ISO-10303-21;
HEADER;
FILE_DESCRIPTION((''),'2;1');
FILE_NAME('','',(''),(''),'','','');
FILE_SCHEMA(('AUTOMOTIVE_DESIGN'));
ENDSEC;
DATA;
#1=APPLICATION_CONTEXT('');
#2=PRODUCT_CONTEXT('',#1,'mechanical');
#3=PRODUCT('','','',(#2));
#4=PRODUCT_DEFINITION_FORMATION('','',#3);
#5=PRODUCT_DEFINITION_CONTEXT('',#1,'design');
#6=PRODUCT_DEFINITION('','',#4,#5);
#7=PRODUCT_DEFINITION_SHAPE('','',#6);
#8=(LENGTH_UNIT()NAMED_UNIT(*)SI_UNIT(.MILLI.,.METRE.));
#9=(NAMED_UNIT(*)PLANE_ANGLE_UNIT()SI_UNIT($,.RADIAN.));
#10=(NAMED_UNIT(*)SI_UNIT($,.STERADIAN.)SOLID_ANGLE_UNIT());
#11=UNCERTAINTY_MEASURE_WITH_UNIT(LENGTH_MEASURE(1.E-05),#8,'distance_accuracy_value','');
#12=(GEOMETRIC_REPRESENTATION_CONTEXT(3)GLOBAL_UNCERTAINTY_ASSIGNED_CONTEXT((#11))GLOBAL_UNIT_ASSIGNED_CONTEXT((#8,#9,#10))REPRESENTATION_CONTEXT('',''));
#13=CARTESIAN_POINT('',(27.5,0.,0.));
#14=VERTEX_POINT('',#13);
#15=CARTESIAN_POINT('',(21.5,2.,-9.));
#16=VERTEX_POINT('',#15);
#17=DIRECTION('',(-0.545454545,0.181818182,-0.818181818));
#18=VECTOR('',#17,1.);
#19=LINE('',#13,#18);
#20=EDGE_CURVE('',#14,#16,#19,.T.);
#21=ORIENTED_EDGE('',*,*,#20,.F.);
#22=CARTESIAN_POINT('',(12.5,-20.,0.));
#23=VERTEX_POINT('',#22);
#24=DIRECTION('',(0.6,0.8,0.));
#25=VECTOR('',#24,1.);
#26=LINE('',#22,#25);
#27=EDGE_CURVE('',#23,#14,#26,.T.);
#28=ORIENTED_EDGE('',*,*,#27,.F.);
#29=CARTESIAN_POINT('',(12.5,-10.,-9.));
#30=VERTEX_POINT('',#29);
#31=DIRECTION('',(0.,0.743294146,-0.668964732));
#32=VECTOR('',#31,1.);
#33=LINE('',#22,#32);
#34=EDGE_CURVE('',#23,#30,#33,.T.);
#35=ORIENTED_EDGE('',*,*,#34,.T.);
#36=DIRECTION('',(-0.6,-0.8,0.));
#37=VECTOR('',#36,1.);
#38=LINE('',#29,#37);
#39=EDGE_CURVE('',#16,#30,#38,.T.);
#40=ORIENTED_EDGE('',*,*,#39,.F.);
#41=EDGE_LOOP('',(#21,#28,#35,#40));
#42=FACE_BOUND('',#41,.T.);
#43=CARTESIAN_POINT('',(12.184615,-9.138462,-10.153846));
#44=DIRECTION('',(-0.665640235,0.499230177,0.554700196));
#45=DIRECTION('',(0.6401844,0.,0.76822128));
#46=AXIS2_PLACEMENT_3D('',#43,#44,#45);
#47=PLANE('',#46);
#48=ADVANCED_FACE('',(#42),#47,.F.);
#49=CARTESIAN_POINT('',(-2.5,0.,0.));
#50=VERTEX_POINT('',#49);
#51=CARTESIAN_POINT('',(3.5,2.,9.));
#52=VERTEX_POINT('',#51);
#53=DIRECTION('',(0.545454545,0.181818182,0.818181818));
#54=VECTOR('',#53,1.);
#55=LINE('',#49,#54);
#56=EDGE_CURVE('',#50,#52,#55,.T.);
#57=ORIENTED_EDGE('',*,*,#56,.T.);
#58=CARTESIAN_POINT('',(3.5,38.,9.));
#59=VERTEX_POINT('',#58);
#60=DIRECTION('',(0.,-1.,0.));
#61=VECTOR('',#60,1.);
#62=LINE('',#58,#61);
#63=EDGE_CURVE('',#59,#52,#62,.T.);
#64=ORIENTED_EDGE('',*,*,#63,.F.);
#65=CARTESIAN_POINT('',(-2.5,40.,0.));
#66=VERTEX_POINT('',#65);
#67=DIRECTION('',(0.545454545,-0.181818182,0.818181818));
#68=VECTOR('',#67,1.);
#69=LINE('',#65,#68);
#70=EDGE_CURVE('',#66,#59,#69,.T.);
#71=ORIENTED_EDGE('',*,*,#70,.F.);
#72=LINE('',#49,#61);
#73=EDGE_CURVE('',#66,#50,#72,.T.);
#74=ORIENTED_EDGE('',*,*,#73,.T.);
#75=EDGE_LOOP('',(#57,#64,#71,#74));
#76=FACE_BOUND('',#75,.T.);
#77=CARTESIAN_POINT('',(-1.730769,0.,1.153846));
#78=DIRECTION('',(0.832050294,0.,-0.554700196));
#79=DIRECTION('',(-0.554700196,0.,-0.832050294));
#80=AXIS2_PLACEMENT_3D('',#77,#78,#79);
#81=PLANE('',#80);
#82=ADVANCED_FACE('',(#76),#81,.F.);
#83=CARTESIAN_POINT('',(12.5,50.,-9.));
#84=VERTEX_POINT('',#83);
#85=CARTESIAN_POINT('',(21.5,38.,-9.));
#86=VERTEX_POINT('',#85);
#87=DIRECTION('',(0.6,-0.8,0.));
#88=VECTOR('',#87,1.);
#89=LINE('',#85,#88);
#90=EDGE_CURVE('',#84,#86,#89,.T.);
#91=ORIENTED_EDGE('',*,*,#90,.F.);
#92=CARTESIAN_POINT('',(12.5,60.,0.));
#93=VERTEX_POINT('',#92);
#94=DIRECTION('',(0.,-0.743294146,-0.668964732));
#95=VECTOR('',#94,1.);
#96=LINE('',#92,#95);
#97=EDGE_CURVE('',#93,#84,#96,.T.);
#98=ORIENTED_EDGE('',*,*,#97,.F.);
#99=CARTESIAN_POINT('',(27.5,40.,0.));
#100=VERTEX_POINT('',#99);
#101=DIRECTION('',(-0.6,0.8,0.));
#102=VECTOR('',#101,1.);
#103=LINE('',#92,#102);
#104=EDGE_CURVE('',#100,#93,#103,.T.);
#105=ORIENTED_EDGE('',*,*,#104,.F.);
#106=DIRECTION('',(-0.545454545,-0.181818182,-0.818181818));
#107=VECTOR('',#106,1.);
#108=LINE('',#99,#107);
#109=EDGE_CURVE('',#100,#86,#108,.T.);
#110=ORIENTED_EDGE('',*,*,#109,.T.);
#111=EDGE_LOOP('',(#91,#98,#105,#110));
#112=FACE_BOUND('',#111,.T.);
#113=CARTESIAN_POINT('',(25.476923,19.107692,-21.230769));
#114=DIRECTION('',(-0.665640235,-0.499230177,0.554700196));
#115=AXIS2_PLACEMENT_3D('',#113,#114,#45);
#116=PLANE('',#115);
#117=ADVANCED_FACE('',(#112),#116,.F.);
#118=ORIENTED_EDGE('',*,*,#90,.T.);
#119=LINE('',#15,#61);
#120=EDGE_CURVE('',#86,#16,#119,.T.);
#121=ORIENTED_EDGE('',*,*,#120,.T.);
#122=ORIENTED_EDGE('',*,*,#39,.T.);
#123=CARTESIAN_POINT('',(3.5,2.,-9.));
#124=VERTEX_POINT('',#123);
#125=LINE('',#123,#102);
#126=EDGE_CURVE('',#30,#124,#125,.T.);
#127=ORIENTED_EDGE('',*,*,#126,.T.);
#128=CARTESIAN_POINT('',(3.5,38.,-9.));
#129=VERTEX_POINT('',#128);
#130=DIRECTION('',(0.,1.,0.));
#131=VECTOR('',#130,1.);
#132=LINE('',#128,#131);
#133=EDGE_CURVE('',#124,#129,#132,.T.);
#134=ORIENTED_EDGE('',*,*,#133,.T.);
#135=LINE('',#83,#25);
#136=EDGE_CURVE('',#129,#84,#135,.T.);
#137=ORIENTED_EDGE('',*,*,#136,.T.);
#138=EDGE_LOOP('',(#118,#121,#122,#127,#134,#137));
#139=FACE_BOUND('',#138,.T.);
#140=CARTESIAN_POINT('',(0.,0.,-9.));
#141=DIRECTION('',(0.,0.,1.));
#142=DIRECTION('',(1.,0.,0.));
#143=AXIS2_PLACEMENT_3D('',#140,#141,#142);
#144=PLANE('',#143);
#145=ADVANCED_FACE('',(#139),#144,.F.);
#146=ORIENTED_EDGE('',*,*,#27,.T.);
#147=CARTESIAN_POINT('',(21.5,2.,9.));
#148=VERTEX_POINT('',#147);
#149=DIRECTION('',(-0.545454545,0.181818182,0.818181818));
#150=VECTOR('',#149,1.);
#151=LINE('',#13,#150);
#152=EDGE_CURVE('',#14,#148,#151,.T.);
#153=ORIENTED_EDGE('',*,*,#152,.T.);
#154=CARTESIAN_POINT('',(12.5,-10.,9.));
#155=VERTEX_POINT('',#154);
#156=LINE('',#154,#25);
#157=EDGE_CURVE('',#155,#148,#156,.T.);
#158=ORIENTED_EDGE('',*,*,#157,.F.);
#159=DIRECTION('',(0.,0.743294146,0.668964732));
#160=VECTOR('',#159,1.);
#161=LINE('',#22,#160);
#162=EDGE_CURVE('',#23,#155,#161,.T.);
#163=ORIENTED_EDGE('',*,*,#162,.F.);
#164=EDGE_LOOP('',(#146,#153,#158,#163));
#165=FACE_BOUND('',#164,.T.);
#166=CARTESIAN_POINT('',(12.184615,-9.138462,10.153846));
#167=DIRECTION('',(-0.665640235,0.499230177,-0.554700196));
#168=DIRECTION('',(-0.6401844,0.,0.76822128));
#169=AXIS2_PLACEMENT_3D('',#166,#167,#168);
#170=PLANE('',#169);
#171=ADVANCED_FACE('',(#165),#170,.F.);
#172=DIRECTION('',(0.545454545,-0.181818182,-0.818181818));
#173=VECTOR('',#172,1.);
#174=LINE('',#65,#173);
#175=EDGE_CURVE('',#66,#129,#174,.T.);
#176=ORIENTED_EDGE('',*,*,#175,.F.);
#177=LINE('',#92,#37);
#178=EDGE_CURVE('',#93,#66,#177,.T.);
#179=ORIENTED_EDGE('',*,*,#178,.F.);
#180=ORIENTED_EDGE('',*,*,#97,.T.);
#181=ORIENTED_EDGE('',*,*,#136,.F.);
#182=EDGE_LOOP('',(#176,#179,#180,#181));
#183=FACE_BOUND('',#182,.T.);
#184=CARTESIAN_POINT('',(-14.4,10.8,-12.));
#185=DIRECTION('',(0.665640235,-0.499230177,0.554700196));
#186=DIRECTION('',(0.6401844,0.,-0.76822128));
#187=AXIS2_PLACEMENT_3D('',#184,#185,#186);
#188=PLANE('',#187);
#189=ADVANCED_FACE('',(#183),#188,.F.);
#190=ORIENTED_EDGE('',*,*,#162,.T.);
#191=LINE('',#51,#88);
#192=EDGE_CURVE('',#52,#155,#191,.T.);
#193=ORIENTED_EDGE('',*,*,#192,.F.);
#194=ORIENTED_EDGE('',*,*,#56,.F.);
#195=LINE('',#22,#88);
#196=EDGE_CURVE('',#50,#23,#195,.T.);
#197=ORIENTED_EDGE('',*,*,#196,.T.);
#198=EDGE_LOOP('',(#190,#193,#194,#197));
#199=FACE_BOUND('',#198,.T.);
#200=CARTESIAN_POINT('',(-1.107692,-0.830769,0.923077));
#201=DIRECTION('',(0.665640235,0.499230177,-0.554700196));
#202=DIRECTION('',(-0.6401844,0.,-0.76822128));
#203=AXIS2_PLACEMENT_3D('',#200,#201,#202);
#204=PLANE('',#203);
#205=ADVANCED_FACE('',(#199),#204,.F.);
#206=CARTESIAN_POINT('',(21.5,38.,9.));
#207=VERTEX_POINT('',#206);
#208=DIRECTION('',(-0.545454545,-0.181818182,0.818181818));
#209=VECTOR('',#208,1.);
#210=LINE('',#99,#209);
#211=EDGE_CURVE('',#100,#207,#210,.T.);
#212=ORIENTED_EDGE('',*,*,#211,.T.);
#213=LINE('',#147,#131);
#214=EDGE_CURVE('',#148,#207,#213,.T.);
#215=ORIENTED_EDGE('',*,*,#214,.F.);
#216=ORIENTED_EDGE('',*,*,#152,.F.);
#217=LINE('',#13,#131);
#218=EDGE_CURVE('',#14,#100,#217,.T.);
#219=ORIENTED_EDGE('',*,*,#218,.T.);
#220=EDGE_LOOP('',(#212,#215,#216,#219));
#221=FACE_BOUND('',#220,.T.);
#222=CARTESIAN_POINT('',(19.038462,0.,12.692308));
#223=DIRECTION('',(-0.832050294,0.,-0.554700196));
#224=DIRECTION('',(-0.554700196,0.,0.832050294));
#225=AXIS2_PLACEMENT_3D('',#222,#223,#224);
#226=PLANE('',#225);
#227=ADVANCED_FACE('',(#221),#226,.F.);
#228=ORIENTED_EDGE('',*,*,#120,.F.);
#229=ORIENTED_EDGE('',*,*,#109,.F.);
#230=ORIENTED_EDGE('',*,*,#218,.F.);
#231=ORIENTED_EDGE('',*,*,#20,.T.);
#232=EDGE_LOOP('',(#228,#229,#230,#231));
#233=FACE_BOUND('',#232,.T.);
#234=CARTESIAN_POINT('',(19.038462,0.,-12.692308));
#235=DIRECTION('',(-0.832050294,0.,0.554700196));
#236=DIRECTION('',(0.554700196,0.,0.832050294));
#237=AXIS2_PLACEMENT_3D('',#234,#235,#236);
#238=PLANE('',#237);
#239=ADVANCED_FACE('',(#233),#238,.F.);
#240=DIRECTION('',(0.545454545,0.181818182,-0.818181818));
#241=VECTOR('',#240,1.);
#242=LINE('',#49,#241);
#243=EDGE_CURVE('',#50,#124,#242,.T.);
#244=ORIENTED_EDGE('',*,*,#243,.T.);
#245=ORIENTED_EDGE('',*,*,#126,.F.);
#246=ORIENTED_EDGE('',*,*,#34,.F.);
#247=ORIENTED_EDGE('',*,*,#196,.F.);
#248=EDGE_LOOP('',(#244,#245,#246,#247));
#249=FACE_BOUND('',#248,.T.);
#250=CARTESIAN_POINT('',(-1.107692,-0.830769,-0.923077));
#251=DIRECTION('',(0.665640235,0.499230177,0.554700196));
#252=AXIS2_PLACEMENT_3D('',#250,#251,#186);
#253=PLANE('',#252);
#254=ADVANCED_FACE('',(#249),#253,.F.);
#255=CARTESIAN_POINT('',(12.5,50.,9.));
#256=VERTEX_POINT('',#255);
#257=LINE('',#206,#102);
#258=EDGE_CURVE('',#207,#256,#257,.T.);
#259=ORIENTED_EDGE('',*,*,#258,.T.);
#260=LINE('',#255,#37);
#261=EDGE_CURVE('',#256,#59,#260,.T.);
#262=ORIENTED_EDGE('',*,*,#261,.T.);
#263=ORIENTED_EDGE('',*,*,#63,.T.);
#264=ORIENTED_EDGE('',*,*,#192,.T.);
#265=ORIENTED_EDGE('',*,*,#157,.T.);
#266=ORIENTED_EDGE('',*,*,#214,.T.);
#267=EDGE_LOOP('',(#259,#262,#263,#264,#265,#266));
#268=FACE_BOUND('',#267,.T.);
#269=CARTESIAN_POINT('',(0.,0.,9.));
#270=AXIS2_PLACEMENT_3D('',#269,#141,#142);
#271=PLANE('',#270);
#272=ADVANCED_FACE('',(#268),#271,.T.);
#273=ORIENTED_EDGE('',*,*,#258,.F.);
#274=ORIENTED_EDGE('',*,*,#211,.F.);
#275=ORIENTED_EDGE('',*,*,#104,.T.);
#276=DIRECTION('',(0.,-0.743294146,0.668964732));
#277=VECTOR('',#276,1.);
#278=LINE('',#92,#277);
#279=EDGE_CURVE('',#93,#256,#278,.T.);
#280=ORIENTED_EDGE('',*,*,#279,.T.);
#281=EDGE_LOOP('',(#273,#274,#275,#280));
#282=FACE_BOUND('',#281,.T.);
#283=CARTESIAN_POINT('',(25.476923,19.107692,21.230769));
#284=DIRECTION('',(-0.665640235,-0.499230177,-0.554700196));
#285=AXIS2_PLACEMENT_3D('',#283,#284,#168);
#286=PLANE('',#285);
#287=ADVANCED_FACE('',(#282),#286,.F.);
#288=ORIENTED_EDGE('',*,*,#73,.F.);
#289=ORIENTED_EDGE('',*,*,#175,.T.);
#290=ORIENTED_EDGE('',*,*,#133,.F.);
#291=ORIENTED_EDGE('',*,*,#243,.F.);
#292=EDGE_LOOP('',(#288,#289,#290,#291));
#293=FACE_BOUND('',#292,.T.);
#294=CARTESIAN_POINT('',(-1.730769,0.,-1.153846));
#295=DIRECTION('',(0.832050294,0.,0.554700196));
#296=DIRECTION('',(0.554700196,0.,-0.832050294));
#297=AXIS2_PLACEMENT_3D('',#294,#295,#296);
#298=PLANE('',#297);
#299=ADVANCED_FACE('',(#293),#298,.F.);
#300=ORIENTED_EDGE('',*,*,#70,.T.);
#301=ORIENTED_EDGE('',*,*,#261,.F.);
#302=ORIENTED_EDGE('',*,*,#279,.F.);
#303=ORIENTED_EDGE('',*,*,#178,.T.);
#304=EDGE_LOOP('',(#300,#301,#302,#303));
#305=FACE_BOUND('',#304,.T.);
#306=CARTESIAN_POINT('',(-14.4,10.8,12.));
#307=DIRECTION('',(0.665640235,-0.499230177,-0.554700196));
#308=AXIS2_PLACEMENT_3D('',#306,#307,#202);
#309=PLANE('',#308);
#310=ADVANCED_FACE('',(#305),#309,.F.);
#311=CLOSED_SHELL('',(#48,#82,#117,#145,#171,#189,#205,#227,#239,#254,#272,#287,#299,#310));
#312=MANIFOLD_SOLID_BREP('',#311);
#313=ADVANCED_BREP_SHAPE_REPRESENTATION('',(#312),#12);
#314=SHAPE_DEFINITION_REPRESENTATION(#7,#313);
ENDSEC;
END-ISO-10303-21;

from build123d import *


with BuildPart() as part:
    # Base → Recubrir3 section 0
    with BuildSketch(Plane.XY):
        Polygon((27.5, 0), (27.5, 40), (12.5, 60), (-2.5, 40), (-2.5, 0), (12.5, -20), align=None)
    # Extrude 2 → Recubrir3 section 1
    with BuildSketch(Plane.XY.offset(9)):
        Polygon((3.5, 38), (3.5, 2), (12.5, -10), (21.5, 2), (21.5, 38), (12.5, 50), align=None)
    loft()

    # Base 2 → Recubrir4 section 0
    with BuildSketch(Plane.XY):
        Polygon((27.5, 0), (27.5, 40), (12.5, 60), (-2.5, 40), (-2.5, 0), (12.5, -20), align=None)
    # Croquis7 → Recubrir4 section 1
    with BuildSketch(Plane(origin=(0, 0, -9), x_dir=(-1, 0, 0), z_dir=(0, 0, -1))):
        Polygon((-21.5, 38), (-12.5, 50), (-3.5, 38), (-3.5, 2), (-12.5, -10), (-21.5, 2), align=None)
    loft()


solid = part.part
